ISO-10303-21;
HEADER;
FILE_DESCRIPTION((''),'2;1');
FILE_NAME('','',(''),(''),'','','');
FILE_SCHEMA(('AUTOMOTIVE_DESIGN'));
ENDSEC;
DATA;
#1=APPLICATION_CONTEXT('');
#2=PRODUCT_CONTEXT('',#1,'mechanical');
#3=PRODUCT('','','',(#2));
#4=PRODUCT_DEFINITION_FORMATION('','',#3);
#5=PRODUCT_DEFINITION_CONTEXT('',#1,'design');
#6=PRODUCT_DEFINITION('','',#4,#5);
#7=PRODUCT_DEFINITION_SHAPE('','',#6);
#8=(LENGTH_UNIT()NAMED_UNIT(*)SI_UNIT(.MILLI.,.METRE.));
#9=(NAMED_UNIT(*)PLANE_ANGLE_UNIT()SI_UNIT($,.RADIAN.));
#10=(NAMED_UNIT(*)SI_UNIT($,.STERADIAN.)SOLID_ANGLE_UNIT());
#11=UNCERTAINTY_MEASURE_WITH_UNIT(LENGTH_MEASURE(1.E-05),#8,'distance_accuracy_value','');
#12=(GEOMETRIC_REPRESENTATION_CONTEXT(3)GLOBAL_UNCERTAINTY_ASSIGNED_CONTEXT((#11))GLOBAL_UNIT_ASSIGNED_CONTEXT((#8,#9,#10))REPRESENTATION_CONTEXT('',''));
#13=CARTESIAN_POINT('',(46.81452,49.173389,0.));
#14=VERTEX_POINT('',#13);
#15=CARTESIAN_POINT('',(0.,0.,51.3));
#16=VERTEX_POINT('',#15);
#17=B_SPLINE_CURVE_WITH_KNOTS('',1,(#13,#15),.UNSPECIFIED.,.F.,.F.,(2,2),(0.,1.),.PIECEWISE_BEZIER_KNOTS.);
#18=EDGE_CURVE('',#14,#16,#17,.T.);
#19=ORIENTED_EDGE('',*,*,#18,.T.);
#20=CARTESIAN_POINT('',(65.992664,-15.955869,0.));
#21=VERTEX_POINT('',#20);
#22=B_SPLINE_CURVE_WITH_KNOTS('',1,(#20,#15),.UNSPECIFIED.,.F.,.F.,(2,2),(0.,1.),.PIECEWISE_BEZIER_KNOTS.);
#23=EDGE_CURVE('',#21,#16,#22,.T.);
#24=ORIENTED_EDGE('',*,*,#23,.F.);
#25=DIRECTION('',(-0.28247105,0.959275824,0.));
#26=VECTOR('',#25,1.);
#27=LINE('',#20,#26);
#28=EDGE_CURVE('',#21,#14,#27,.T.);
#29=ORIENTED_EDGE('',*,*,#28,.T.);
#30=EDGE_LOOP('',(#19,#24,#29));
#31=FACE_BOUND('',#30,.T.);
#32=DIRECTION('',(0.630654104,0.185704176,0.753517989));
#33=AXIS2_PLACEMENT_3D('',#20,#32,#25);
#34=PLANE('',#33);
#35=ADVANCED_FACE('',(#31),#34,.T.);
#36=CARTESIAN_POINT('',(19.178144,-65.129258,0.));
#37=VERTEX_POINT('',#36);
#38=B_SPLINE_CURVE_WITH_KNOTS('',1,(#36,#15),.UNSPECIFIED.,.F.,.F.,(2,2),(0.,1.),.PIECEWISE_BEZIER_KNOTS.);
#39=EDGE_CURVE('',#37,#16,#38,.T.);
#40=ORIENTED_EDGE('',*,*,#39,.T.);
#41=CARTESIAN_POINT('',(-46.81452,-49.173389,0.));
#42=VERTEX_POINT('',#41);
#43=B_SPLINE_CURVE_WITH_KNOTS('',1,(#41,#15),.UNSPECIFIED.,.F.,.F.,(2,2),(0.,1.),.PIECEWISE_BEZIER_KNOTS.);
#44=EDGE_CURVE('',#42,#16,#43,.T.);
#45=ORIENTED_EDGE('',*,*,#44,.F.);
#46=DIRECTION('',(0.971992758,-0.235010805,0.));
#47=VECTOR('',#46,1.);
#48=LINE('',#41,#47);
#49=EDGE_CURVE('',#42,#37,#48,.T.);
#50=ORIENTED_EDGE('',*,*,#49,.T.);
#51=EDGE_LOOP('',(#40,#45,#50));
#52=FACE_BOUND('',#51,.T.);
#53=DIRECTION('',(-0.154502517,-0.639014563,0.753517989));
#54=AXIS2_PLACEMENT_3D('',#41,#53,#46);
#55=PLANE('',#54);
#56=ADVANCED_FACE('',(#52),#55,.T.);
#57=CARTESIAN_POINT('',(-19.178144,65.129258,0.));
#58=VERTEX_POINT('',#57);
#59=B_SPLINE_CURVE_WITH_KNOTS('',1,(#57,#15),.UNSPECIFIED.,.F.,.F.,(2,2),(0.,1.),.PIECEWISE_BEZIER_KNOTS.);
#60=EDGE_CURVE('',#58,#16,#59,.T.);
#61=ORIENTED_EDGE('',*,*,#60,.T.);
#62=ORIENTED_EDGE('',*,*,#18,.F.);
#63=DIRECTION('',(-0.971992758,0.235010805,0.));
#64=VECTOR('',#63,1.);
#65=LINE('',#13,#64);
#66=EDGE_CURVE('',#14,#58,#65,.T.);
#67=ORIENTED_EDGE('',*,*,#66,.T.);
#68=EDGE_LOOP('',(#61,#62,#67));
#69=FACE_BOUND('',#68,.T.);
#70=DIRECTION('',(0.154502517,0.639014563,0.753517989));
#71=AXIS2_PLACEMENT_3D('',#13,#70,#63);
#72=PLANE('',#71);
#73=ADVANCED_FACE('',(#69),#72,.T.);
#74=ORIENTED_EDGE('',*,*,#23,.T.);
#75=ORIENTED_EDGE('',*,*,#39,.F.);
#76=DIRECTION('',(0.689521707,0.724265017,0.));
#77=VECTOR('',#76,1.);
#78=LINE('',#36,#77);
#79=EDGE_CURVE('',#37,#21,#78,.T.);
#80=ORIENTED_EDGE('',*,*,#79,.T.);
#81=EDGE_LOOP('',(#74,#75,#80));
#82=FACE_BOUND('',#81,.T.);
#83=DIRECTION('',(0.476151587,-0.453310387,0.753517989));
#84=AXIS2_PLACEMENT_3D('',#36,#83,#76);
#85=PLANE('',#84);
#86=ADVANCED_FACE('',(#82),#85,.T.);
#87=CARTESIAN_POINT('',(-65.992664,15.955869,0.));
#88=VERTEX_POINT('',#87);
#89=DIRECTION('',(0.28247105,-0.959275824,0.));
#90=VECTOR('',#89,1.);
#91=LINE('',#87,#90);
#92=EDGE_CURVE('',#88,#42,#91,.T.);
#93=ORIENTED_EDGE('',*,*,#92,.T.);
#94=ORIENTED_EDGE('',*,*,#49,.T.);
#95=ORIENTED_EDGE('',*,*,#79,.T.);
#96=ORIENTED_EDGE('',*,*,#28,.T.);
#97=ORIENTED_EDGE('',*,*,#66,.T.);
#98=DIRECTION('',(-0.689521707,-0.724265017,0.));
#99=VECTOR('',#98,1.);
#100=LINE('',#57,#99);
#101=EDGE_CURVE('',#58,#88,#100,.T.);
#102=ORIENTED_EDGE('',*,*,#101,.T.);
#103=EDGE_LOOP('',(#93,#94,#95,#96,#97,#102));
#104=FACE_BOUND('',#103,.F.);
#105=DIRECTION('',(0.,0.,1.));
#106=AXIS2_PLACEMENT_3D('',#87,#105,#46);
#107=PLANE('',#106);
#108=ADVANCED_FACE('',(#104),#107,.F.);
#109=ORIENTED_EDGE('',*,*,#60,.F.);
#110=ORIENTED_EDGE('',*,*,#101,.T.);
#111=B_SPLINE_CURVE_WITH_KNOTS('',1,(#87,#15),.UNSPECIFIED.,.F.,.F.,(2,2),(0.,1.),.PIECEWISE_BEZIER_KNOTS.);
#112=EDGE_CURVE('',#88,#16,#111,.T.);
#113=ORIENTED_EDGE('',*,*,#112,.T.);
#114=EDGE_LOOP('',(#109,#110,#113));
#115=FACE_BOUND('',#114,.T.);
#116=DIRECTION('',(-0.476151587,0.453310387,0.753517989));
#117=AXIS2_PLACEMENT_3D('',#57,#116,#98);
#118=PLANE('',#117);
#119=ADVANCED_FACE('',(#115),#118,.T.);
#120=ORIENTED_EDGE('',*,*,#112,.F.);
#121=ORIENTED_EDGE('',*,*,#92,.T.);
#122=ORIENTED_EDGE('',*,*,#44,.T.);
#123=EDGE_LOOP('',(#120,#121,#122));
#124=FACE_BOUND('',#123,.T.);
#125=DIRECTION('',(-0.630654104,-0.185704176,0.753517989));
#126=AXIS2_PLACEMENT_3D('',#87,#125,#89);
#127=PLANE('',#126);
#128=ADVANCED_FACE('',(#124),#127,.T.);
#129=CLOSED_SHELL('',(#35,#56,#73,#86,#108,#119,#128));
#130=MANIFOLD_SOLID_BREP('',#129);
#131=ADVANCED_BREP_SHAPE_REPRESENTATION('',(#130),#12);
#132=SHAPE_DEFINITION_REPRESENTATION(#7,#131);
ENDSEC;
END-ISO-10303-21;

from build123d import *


with BuildPart() as f3:
    # F0 (on Top) → F3 section 0
    with BuildSketch(Plane.XY, mode=Mode.PRIVATE) as f3_s0:
        Polygon((-65.992664, 15.955869), (-46.81452, -49.173389), (19.178144, -65.129258), (65.992664, -15.955869), (46.81452, 49.173389), (-19.178144, 65.129258), align=None)
    loft([f3_s0.sketch, Vertex(0, 0, 51.3)])


solid = f3.part
